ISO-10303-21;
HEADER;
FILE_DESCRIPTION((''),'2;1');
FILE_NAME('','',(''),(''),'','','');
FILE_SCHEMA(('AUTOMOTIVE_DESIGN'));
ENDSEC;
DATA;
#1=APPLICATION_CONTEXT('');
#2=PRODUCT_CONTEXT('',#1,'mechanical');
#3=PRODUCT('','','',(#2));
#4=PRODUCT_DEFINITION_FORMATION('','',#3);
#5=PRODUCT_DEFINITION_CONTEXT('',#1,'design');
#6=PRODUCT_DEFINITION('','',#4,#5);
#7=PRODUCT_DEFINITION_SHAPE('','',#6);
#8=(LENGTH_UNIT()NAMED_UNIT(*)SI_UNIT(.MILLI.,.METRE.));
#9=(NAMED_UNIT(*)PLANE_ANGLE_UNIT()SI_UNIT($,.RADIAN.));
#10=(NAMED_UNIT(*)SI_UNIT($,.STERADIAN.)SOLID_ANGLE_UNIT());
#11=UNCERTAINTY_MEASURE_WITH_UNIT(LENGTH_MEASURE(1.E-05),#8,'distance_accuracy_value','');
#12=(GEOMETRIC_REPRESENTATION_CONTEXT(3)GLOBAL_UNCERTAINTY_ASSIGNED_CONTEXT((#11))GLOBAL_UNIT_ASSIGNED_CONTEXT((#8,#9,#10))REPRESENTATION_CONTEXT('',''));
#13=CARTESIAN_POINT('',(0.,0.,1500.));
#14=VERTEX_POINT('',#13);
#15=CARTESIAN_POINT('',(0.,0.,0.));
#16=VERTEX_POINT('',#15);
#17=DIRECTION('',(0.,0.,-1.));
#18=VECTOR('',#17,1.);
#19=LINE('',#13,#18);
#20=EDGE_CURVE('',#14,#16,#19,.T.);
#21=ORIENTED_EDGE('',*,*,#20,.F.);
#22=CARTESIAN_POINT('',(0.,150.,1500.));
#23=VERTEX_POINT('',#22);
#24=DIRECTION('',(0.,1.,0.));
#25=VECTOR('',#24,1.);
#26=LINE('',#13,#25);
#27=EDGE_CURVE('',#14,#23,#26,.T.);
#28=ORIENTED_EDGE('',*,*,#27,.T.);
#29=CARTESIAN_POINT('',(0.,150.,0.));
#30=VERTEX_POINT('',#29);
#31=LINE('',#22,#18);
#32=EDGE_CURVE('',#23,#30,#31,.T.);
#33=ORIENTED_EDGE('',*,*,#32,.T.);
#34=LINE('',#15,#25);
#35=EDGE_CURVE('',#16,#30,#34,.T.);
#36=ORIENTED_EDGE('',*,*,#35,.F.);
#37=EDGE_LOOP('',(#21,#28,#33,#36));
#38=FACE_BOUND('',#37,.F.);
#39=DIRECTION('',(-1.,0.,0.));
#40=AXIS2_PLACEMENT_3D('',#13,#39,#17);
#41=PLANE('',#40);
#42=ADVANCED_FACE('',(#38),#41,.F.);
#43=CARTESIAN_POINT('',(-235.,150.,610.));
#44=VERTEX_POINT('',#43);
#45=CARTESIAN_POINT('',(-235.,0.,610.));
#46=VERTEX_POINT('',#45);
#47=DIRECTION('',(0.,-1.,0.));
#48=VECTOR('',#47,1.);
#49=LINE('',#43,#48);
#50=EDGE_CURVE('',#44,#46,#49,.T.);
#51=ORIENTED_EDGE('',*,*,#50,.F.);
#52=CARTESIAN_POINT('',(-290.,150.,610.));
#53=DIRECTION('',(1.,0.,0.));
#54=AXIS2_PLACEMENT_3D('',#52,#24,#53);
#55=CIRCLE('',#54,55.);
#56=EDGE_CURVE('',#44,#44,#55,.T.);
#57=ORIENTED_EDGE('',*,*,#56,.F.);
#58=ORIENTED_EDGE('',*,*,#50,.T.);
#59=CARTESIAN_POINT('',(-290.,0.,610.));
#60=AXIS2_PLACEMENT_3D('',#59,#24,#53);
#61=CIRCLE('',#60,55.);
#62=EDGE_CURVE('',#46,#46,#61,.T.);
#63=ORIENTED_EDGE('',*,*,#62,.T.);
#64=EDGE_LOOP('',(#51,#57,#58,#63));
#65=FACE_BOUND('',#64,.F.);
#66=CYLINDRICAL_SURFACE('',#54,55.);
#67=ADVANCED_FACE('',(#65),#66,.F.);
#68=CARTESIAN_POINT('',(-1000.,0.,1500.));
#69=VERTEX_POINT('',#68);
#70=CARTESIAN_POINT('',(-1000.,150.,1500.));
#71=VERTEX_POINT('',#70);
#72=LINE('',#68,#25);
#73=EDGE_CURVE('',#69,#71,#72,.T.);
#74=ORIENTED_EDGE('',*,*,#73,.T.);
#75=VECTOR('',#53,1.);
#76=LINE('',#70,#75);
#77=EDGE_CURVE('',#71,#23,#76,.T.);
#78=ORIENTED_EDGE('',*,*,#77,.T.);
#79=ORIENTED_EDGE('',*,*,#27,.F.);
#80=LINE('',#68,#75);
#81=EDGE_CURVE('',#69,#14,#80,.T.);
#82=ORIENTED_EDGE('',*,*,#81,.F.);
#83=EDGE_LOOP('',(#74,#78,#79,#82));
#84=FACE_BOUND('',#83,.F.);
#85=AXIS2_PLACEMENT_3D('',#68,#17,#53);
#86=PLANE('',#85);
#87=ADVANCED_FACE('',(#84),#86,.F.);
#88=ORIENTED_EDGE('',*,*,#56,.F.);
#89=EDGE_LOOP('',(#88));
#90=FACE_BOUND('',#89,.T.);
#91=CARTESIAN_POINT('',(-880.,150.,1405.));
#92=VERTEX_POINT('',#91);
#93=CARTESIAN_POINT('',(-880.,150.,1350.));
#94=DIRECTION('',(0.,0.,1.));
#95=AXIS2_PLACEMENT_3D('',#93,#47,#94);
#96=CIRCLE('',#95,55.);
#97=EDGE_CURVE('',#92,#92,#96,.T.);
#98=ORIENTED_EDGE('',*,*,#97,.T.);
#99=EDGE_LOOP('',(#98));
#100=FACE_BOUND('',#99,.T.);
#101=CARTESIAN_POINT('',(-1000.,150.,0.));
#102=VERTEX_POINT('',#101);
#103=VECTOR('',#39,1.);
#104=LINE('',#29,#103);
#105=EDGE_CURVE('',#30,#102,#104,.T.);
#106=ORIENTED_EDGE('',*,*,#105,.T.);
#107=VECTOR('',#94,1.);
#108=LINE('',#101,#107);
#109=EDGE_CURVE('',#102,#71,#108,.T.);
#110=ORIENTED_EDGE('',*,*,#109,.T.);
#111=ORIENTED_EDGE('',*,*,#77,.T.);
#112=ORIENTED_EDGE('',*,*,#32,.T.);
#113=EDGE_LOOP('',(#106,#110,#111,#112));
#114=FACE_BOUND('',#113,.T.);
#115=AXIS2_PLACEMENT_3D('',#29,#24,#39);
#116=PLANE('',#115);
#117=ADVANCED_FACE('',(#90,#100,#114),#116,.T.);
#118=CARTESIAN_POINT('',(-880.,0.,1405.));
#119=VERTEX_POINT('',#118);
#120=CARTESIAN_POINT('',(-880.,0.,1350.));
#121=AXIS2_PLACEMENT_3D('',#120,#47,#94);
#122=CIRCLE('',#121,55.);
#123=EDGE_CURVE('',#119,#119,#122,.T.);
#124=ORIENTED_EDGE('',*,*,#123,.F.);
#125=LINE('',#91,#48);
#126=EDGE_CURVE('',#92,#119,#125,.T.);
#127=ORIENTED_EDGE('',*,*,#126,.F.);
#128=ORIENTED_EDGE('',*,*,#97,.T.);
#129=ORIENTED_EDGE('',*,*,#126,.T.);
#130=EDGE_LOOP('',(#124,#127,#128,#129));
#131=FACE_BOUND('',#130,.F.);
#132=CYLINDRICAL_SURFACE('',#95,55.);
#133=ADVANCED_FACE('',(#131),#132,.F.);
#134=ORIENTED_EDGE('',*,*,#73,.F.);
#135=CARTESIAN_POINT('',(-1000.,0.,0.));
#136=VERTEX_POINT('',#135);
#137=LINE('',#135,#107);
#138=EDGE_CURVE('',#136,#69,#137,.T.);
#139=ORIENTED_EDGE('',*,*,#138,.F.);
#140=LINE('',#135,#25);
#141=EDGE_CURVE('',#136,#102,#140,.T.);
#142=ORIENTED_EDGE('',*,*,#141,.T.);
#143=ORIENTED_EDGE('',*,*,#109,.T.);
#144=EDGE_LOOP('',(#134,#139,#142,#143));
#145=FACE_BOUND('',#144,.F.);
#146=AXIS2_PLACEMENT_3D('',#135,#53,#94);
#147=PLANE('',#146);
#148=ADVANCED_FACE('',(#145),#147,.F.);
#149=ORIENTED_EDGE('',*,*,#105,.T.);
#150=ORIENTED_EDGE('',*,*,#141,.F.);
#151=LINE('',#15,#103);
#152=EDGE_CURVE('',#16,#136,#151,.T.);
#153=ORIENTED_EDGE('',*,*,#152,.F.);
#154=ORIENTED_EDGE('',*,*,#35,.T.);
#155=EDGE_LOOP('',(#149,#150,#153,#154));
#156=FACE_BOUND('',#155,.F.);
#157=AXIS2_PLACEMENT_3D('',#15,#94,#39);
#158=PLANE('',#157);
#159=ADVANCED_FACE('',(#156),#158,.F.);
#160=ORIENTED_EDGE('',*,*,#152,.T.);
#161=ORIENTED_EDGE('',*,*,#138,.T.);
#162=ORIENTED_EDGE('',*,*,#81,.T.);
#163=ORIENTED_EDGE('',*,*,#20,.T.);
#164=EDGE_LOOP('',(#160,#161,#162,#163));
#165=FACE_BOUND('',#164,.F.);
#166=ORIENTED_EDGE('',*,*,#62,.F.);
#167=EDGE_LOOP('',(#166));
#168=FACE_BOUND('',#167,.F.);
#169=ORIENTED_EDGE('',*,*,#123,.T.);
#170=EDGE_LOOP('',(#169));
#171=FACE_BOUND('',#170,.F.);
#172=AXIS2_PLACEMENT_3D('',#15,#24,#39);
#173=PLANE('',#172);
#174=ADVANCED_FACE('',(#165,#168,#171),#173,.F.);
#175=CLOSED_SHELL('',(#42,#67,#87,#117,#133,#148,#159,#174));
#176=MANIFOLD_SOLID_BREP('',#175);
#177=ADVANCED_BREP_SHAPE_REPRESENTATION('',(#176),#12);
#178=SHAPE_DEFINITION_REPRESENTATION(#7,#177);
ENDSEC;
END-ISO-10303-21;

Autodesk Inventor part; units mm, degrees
ref_plane "YZ Plane" through (0, 0, 0) normal (1, 0, 0) x (0, 1, 0)
ref_plane "XZ Plane" through (0, 0, 0) normal (0, 1, 0) x (-1, 0, 0)
ref_plane "XY Plane" through (0, 0, 0) normal (0, 0, 1) x (1, 0, 0)
sketch "Sketch1" plane through (0, 0, 0) normal (0, 1, 0) x (-1, 0, 0)
  line L0 (0, 0) -> (1000, 0)
  line L1 (1000, 0) -> (1000, 1500)
  line L2 (1000, 1500) -> (0, 1500)
  line L3 (0, 1500) -> (0, 0)
  dimension "d0" = 1000
  dimension "d1" = 1500
extrude "base" add sketch "Sketch1" along normal blind 150
sketch "Sketch2" plane through (0, 150, 0) normal (0, 1, 0) x (1, 0, 0)
  circle A0 centre (-290, -610) radius 55
  line L0 (0, 0) -> (-1000, 0) projected
  line L1 (0, -1500) -> (0, 0) projected
  dimension "d4" = 110
  dimension "d38" = 610
  dimension "d62" = 290
extrude "air" cut sketch "Sketch2" against normal through all
sketch "Sketch6" plane through (0, 150, 0) normal (0, 1, 0) x (1, 0, 0)
  line L0 (-1000, 0) -> (-1000, -1500) projected
  circle A0 centre (-880, -1350) radius 55
  line L1 (-1000, -1500) -> (0, -1500) projected
  dimension "d56" = 110
  dimension "d60" = 150
  dimension "d61" = 120
hole "air2" at (-880, 150, 1350) direction (0, -1, 0) diameter 110 end through all
properties part number "plinth" material "Concrete"
